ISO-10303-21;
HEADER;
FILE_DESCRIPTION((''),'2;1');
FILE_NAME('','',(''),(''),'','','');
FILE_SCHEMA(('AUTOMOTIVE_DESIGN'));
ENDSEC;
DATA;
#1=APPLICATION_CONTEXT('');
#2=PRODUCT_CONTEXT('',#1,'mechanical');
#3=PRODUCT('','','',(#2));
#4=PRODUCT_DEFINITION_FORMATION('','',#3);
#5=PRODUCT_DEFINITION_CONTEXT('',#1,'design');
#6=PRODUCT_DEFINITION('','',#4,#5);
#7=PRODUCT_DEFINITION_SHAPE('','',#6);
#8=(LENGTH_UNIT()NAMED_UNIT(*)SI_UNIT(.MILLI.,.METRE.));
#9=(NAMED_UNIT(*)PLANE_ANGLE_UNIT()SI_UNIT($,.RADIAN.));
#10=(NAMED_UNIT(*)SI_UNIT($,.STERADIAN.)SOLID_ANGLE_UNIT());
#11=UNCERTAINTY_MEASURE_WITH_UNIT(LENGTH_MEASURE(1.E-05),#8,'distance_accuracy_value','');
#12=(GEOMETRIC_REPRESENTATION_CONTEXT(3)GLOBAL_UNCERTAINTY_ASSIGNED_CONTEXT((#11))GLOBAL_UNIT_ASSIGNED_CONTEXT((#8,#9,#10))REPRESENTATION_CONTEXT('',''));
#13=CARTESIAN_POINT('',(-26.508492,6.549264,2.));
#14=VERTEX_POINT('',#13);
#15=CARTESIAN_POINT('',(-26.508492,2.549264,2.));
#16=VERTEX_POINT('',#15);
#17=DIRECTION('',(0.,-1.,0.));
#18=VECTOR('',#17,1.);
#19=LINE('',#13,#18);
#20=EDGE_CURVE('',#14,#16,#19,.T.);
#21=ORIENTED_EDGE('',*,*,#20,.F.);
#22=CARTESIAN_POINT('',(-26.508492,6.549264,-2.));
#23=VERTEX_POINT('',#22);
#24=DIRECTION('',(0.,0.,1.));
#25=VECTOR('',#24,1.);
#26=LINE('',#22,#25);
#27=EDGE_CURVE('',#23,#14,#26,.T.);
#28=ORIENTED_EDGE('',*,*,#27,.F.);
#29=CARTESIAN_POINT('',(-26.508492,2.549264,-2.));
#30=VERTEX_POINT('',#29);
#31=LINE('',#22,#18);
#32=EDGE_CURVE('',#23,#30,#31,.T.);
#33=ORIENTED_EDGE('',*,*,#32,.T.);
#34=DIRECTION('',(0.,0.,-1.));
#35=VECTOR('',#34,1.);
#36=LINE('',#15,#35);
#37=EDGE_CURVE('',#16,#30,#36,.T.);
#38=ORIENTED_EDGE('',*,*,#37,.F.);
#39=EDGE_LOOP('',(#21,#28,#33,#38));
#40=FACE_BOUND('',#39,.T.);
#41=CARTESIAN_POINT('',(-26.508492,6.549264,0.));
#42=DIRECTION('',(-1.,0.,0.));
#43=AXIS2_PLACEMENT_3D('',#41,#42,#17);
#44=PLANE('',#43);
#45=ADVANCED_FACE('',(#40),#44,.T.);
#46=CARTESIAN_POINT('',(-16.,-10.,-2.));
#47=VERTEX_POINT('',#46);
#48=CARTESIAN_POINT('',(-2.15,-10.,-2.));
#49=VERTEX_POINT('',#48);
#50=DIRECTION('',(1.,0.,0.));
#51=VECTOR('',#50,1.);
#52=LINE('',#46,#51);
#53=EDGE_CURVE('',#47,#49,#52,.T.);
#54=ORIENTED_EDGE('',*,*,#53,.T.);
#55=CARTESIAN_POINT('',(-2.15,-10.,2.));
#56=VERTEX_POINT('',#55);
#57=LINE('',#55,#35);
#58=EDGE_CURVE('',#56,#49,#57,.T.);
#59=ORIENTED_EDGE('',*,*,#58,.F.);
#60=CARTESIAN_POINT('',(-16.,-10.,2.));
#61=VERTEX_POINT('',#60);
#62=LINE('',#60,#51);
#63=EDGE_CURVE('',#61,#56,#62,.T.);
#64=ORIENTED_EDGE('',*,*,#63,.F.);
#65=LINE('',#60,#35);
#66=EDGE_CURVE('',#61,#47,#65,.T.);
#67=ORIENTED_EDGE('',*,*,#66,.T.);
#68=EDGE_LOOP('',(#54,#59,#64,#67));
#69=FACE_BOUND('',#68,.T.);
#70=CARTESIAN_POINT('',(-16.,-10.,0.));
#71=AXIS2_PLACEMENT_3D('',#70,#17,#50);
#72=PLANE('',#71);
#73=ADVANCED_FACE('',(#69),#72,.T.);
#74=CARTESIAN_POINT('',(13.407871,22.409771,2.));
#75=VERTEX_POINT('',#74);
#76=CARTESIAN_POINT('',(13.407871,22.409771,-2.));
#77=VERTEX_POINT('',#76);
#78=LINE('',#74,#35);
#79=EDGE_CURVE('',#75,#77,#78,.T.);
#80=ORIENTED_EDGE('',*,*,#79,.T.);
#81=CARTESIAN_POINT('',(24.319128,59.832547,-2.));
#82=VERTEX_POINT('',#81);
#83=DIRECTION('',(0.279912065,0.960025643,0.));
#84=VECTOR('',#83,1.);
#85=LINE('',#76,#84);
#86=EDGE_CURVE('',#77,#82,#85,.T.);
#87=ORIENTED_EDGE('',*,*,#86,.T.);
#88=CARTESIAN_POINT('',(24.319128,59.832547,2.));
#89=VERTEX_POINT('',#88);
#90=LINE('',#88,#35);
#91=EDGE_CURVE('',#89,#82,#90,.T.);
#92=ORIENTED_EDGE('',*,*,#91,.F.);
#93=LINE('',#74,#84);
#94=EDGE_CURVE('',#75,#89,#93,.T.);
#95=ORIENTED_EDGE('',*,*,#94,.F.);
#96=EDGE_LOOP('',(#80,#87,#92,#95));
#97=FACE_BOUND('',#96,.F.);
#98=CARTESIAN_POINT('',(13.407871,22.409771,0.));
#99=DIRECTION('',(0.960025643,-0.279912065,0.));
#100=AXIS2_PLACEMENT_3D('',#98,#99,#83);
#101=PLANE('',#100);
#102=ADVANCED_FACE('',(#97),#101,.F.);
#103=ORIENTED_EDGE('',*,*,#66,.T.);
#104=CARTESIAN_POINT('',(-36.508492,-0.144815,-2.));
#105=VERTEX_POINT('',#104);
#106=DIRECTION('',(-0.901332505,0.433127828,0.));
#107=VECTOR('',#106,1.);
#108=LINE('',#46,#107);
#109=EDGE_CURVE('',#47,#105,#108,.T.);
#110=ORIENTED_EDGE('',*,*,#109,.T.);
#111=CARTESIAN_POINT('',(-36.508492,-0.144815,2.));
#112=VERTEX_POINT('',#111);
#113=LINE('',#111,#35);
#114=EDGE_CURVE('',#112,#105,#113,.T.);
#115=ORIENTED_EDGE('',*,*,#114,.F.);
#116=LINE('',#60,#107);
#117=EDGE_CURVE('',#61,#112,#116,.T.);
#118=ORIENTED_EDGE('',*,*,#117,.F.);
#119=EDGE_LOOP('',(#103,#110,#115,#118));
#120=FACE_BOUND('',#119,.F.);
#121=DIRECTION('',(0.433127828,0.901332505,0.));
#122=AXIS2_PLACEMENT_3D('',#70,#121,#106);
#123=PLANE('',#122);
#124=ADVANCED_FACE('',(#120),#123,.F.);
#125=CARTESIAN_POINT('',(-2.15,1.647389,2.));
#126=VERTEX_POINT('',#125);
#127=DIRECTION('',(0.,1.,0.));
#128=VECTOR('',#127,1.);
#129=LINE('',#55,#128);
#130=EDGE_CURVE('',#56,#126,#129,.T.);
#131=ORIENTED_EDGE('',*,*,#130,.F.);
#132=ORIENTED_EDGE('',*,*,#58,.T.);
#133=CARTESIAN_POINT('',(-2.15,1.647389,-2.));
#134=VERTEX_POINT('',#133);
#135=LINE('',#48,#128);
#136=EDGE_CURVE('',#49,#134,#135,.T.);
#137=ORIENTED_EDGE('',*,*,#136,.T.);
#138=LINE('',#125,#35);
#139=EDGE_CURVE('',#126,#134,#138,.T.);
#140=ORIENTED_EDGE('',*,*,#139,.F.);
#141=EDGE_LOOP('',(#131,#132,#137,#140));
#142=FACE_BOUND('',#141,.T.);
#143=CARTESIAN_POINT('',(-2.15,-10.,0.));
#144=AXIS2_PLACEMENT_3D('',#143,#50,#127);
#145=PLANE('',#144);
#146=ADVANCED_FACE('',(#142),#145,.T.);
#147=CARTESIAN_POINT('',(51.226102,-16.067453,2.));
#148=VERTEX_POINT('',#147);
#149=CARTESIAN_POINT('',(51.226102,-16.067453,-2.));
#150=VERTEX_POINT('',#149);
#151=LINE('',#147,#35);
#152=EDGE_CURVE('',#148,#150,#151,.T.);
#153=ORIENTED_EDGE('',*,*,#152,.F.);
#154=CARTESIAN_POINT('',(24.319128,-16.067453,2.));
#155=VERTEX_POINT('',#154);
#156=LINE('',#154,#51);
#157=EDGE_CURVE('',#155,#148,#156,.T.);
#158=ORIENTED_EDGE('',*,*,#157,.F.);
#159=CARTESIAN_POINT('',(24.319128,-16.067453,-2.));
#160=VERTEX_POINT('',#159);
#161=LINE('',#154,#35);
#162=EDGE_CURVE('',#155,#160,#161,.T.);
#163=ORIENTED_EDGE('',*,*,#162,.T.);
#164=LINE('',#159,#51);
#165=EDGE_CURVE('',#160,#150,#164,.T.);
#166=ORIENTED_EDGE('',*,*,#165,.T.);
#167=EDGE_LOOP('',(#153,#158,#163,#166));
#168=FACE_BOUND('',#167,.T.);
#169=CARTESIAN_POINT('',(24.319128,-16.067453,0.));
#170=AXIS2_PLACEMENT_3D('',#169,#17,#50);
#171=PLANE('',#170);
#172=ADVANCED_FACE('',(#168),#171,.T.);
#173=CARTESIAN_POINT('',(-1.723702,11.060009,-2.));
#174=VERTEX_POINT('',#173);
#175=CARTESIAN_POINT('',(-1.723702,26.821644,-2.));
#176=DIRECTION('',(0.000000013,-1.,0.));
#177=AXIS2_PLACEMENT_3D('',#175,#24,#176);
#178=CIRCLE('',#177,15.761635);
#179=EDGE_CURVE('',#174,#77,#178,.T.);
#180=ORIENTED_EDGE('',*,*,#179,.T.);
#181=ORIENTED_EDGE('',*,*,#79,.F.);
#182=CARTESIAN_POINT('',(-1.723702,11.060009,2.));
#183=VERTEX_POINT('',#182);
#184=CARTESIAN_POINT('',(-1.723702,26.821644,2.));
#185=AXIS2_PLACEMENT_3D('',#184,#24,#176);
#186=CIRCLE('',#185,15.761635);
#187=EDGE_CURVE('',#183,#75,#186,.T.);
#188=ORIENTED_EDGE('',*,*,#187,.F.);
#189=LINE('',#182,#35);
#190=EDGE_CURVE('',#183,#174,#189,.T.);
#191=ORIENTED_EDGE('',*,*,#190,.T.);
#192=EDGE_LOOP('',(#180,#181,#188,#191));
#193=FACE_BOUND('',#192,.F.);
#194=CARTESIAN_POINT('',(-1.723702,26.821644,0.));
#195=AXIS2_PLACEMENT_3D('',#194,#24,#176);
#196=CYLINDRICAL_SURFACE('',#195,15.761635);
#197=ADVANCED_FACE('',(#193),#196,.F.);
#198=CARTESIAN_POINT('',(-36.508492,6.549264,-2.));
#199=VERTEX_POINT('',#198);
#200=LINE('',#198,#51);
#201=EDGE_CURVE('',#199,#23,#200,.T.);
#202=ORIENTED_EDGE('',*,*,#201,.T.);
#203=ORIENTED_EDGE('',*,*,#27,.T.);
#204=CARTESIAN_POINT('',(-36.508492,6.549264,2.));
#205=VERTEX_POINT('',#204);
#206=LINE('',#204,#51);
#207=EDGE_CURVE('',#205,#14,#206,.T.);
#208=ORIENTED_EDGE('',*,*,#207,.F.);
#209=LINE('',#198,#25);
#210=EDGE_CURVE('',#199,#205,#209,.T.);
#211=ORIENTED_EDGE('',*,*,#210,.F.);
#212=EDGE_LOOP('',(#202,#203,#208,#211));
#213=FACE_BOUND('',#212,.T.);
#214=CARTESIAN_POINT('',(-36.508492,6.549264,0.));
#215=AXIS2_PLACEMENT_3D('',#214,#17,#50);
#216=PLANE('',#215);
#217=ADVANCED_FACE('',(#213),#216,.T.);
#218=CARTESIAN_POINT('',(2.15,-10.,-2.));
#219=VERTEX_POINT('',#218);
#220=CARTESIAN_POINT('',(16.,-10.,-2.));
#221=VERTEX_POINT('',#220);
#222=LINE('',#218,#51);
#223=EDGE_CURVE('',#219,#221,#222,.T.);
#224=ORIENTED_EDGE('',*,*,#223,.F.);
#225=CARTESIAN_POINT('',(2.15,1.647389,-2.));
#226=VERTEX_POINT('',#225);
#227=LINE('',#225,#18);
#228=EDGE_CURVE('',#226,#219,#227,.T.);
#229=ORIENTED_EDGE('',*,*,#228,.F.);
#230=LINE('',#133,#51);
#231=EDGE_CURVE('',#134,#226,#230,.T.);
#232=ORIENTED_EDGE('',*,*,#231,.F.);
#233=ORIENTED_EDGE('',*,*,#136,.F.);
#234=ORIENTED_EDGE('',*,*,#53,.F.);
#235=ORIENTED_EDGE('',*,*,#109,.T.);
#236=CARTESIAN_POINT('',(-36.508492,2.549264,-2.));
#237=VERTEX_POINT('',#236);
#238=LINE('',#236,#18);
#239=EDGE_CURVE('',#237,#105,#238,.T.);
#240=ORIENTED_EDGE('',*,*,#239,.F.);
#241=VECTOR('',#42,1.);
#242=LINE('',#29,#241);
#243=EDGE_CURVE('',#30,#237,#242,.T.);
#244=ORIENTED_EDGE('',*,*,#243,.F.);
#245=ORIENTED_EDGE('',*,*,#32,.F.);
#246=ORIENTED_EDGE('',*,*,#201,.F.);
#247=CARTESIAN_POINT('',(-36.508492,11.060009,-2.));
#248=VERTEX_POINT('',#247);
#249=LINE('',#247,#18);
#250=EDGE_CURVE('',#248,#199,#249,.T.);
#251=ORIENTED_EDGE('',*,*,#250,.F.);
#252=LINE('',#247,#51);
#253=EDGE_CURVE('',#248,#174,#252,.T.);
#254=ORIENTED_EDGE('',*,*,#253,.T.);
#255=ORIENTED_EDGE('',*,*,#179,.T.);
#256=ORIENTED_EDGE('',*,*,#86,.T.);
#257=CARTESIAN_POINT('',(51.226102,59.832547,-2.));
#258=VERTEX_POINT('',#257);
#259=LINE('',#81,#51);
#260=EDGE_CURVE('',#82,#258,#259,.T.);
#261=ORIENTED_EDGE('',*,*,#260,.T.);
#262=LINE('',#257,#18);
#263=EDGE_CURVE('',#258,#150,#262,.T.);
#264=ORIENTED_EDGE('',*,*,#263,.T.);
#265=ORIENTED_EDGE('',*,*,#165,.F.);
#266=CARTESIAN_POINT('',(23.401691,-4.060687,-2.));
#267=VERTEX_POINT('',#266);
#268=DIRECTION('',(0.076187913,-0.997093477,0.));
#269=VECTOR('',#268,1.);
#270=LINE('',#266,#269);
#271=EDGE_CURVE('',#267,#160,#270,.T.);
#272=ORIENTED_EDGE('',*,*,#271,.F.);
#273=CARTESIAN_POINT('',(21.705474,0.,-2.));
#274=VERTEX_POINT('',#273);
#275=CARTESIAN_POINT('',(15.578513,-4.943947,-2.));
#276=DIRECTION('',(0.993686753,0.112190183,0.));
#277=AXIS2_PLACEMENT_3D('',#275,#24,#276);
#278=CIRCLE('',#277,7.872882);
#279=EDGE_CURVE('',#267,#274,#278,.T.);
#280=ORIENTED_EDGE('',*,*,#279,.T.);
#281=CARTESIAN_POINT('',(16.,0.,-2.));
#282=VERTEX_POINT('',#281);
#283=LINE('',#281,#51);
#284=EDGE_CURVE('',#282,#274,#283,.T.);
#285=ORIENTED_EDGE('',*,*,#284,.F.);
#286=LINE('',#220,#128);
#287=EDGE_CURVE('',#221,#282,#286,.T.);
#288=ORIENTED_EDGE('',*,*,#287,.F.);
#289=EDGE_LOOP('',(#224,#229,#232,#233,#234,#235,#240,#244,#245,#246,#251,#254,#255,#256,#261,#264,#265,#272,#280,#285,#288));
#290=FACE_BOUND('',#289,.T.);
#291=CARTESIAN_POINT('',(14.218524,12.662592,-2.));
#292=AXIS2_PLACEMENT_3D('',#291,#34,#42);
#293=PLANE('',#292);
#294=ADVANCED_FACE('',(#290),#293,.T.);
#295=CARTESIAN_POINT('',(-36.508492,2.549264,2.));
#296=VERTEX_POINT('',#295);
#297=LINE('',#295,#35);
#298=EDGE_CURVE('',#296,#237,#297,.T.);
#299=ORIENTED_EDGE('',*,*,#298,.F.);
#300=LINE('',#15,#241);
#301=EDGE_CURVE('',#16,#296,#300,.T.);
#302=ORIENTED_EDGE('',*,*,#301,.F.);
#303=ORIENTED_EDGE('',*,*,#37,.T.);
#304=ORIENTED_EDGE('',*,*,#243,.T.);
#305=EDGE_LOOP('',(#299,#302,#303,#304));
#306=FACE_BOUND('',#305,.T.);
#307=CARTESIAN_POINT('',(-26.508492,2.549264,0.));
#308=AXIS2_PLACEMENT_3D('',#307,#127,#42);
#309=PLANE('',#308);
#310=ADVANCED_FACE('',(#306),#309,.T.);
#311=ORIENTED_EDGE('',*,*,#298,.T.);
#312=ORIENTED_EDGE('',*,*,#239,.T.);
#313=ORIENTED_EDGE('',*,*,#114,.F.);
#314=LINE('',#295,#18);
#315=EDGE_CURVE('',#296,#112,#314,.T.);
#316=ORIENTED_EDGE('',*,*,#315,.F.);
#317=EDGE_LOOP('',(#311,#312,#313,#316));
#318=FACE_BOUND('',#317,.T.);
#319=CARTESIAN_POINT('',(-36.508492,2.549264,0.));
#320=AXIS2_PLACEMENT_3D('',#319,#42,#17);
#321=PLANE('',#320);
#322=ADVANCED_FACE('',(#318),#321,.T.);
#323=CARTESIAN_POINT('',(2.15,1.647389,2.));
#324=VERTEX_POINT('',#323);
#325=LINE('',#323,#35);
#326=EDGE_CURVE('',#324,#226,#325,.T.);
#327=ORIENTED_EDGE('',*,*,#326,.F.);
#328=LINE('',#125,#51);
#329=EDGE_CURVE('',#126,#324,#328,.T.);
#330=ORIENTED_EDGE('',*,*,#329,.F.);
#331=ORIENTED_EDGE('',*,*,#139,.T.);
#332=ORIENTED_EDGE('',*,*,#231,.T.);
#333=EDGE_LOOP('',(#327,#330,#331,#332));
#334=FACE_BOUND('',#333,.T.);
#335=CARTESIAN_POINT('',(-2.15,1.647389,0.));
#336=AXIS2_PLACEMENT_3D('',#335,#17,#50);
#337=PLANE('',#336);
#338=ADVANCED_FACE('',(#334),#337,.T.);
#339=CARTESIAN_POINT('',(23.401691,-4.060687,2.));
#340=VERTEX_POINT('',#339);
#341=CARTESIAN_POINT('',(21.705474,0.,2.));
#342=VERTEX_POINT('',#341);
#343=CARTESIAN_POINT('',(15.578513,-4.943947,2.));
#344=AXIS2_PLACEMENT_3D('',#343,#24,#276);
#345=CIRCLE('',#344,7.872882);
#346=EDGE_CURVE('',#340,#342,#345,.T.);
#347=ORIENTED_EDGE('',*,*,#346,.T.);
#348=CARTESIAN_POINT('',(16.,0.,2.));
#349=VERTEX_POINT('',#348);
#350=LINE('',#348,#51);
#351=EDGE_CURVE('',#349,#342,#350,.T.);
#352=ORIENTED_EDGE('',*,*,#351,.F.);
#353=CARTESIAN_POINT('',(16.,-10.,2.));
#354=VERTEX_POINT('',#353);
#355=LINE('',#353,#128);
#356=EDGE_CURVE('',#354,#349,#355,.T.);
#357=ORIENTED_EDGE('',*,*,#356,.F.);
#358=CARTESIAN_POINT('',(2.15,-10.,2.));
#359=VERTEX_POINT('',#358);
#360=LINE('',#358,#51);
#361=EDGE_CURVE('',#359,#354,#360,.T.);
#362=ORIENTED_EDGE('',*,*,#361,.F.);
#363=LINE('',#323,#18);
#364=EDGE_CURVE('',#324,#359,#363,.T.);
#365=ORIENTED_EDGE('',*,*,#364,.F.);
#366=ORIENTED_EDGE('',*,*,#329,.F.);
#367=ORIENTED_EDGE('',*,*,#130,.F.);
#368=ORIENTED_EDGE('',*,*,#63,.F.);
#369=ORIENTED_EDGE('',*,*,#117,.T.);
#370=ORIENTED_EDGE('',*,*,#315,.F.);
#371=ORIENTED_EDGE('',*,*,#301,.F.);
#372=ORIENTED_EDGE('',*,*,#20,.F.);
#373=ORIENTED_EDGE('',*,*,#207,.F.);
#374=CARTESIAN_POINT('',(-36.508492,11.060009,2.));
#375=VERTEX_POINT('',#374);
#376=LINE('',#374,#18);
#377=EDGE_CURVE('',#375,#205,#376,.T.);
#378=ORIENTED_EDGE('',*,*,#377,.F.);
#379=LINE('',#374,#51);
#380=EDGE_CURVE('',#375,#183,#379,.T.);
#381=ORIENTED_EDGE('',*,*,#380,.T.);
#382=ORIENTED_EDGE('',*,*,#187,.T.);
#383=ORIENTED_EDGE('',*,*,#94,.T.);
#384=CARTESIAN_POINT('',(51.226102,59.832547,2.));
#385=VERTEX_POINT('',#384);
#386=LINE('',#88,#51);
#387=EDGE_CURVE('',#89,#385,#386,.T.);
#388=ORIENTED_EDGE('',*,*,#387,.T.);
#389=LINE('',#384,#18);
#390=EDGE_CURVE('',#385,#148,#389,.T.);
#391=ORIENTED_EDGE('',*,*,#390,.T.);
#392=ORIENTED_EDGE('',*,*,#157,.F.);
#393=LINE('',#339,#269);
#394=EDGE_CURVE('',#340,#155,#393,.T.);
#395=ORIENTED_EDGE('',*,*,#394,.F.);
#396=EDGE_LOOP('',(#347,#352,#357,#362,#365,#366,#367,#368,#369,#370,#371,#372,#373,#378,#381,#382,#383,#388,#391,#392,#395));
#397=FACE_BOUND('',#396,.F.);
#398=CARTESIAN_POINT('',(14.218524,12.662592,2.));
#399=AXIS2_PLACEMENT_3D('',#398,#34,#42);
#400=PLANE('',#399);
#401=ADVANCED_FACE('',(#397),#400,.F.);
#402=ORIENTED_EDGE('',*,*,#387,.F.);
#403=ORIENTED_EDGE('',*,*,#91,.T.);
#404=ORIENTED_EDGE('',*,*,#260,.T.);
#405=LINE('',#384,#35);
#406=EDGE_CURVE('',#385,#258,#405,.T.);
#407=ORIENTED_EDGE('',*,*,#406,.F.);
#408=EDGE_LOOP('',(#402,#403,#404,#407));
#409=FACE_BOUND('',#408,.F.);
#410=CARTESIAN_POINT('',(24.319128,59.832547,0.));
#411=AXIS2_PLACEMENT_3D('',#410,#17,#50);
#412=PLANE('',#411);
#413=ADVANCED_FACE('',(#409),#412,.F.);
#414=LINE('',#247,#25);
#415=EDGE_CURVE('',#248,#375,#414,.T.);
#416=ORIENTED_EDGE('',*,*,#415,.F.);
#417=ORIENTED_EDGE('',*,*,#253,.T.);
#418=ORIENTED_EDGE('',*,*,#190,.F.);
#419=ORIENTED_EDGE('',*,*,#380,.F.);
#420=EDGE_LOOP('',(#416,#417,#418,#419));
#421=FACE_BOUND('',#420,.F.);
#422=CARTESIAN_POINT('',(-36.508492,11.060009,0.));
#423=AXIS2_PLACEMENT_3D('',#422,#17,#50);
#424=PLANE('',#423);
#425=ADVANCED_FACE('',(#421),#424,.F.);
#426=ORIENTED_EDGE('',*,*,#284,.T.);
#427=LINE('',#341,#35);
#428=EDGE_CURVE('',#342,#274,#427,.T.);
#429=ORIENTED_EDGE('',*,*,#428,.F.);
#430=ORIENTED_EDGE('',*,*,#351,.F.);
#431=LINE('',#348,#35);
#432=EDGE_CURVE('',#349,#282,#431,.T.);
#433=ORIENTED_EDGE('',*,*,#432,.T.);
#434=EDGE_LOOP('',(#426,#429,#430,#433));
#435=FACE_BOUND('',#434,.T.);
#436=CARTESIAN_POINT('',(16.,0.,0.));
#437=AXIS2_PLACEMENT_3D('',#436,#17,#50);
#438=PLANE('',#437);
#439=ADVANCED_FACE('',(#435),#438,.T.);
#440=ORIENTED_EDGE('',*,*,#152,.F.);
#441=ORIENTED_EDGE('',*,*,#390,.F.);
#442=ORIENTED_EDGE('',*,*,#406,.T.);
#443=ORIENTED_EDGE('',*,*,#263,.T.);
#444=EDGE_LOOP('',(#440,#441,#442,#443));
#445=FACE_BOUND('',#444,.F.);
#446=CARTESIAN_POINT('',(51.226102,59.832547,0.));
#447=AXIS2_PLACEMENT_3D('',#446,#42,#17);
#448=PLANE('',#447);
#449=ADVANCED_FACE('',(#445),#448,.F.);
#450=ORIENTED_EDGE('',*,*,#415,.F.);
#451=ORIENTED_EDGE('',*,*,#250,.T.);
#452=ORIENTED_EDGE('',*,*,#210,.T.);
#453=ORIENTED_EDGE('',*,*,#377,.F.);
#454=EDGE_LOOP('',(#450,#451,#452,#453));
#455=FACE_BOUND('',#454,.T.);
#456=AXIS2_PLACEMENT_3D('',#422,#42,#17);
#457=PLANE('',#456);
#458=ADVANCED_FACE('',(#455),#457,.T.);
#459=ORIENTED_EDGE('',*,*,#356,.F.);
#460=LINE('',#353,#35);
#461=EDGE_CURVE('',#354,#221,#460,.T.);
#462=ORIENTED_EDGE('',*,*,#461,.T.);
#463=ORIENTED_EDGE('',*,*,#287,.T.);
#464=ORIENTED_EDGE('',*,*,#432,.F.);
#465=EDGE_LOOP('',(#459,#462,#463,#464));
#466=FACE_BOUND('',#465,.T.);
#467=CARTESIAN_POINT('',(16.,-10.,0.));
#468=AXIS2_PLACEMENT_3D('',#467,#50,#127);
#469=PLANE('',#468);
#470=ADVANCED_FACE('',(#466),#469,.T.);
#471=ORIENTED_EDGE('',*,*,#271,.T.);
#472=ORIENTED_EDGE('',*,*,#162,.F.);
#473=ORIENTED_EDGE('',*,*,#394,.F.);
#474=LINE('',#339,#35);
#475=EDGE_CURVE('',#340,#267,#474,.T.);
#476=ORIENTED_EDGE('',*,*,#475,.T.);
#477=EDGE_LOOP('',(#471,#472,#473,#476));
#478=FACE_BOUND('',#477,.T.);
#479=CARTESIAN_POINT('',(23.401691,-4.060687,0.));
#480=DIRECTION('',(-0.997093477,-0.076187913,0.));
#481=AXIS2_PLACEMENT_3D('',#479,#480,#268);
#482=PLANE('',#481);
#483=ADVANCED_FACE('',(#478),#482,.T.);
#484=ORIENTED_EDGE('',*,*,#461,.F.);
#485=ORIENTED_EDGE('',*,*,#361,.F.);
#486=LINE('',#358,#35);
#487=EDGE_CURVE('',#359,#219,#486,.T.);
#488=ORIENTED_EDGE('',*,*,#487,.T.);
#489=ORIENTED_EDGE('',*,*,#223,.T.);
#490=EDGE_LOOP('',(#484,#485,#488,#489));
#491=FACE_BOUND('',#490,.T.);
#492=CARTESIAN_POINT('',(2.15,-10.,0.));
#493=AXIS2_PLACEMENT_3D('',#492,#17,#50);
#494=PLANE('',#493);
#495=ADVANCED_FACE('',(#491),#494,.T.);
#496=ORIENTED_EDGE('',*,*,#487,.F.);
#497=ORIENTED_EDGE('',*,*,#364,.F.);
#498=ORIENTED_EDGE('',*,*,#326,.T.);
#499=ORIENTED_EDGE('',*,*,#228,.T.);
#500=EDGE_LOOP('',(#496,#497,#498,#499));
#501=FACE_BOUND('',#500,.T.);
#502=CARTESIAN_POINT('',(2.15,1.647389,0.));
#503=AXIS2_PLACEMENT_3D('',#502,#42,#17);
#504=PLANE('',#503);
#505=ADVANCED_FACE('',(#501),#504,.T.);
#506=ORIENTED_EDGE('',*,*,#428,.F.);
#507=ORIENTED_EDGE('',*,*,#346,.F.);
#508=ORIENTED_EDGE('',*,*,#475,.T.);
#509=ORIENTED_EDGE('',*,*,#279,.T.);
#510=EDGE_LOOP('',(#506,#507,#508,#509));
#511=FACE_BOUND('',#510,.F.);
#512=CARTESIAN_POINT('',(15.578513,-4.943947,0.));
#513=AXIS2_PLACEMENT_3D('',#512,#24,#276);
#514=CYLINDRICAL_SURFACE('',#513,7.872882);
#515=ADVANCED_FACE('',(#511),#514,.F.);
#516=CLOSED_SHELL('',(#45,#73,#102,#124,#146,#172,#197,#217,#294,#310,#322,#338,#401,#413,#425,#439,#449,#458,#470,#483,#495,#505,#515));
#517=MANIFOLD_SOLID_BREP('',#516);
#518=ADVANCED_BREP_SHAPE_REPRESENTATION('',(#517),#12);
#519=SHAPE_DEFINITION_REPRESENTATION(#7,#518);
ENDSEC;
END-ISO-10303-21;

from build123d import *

# Parameters (mm, degrees)
PAD_DEPTH = 2


with BuildPart() as part:
    # CopySketch004 → Pad (new body, symmetric)
    with BuildSketch(Plane.XY):
        with BuildLine():
            Line((-36.508492, 11.060009), (-1.723702, 11.060009))
            ThreePointArc((-1.723702, 11.060009), (7.733856, 14.212769), (13.407871, 22.409771))
            Line((13.407871, 22.409771), (24.319128, 59.832547))
            Line((24.319128, 59.832547), (51.226102, 59.832547))
            Line((51.226102, 59.832547), (51.226102, -16.067453))
            Line((24.319128, -16.067453), (51.226102, -16.067453))
            Line((23.401691, -4.060687), (24.319128, -16.067453))
            ThreePointArc((23.401691, -4.060687), (22.843077, -1.909417), (21.705474, 0))
            Line((16, 0), (21.705474, 0))
            Line((16, -10), (16, 0))
            Line((2.15, -10), (16, -10))
            Line((2.15, 1.647389), (2.15, -10))
            Line((-2.15, 1.647389), (2.15, 1.647389))
            Line((-2.15, -10), (-2.15, 1.647389))
            Line((-16, -10), (-2.15, -10))
            Line((-16, -10), (-36.508492, -0.144815))
            Line((-36.508492, 2.549264), (-36.508492, -0.144815))
            Line((-26.508492, 2.549264), (-36.508492, 2.549264))
            Line((-26.508492, 6.549264), (-26.508492, 2.549264))
            Line((-36.508492, 6.549264), (-26.508492, 6.549264))
            Line((-36.508492, 11.060009), (-36.508492, 6.549264))
        make_face()
    extrude(amount=PAD_DEPTH, both=True)


solid = part.part
